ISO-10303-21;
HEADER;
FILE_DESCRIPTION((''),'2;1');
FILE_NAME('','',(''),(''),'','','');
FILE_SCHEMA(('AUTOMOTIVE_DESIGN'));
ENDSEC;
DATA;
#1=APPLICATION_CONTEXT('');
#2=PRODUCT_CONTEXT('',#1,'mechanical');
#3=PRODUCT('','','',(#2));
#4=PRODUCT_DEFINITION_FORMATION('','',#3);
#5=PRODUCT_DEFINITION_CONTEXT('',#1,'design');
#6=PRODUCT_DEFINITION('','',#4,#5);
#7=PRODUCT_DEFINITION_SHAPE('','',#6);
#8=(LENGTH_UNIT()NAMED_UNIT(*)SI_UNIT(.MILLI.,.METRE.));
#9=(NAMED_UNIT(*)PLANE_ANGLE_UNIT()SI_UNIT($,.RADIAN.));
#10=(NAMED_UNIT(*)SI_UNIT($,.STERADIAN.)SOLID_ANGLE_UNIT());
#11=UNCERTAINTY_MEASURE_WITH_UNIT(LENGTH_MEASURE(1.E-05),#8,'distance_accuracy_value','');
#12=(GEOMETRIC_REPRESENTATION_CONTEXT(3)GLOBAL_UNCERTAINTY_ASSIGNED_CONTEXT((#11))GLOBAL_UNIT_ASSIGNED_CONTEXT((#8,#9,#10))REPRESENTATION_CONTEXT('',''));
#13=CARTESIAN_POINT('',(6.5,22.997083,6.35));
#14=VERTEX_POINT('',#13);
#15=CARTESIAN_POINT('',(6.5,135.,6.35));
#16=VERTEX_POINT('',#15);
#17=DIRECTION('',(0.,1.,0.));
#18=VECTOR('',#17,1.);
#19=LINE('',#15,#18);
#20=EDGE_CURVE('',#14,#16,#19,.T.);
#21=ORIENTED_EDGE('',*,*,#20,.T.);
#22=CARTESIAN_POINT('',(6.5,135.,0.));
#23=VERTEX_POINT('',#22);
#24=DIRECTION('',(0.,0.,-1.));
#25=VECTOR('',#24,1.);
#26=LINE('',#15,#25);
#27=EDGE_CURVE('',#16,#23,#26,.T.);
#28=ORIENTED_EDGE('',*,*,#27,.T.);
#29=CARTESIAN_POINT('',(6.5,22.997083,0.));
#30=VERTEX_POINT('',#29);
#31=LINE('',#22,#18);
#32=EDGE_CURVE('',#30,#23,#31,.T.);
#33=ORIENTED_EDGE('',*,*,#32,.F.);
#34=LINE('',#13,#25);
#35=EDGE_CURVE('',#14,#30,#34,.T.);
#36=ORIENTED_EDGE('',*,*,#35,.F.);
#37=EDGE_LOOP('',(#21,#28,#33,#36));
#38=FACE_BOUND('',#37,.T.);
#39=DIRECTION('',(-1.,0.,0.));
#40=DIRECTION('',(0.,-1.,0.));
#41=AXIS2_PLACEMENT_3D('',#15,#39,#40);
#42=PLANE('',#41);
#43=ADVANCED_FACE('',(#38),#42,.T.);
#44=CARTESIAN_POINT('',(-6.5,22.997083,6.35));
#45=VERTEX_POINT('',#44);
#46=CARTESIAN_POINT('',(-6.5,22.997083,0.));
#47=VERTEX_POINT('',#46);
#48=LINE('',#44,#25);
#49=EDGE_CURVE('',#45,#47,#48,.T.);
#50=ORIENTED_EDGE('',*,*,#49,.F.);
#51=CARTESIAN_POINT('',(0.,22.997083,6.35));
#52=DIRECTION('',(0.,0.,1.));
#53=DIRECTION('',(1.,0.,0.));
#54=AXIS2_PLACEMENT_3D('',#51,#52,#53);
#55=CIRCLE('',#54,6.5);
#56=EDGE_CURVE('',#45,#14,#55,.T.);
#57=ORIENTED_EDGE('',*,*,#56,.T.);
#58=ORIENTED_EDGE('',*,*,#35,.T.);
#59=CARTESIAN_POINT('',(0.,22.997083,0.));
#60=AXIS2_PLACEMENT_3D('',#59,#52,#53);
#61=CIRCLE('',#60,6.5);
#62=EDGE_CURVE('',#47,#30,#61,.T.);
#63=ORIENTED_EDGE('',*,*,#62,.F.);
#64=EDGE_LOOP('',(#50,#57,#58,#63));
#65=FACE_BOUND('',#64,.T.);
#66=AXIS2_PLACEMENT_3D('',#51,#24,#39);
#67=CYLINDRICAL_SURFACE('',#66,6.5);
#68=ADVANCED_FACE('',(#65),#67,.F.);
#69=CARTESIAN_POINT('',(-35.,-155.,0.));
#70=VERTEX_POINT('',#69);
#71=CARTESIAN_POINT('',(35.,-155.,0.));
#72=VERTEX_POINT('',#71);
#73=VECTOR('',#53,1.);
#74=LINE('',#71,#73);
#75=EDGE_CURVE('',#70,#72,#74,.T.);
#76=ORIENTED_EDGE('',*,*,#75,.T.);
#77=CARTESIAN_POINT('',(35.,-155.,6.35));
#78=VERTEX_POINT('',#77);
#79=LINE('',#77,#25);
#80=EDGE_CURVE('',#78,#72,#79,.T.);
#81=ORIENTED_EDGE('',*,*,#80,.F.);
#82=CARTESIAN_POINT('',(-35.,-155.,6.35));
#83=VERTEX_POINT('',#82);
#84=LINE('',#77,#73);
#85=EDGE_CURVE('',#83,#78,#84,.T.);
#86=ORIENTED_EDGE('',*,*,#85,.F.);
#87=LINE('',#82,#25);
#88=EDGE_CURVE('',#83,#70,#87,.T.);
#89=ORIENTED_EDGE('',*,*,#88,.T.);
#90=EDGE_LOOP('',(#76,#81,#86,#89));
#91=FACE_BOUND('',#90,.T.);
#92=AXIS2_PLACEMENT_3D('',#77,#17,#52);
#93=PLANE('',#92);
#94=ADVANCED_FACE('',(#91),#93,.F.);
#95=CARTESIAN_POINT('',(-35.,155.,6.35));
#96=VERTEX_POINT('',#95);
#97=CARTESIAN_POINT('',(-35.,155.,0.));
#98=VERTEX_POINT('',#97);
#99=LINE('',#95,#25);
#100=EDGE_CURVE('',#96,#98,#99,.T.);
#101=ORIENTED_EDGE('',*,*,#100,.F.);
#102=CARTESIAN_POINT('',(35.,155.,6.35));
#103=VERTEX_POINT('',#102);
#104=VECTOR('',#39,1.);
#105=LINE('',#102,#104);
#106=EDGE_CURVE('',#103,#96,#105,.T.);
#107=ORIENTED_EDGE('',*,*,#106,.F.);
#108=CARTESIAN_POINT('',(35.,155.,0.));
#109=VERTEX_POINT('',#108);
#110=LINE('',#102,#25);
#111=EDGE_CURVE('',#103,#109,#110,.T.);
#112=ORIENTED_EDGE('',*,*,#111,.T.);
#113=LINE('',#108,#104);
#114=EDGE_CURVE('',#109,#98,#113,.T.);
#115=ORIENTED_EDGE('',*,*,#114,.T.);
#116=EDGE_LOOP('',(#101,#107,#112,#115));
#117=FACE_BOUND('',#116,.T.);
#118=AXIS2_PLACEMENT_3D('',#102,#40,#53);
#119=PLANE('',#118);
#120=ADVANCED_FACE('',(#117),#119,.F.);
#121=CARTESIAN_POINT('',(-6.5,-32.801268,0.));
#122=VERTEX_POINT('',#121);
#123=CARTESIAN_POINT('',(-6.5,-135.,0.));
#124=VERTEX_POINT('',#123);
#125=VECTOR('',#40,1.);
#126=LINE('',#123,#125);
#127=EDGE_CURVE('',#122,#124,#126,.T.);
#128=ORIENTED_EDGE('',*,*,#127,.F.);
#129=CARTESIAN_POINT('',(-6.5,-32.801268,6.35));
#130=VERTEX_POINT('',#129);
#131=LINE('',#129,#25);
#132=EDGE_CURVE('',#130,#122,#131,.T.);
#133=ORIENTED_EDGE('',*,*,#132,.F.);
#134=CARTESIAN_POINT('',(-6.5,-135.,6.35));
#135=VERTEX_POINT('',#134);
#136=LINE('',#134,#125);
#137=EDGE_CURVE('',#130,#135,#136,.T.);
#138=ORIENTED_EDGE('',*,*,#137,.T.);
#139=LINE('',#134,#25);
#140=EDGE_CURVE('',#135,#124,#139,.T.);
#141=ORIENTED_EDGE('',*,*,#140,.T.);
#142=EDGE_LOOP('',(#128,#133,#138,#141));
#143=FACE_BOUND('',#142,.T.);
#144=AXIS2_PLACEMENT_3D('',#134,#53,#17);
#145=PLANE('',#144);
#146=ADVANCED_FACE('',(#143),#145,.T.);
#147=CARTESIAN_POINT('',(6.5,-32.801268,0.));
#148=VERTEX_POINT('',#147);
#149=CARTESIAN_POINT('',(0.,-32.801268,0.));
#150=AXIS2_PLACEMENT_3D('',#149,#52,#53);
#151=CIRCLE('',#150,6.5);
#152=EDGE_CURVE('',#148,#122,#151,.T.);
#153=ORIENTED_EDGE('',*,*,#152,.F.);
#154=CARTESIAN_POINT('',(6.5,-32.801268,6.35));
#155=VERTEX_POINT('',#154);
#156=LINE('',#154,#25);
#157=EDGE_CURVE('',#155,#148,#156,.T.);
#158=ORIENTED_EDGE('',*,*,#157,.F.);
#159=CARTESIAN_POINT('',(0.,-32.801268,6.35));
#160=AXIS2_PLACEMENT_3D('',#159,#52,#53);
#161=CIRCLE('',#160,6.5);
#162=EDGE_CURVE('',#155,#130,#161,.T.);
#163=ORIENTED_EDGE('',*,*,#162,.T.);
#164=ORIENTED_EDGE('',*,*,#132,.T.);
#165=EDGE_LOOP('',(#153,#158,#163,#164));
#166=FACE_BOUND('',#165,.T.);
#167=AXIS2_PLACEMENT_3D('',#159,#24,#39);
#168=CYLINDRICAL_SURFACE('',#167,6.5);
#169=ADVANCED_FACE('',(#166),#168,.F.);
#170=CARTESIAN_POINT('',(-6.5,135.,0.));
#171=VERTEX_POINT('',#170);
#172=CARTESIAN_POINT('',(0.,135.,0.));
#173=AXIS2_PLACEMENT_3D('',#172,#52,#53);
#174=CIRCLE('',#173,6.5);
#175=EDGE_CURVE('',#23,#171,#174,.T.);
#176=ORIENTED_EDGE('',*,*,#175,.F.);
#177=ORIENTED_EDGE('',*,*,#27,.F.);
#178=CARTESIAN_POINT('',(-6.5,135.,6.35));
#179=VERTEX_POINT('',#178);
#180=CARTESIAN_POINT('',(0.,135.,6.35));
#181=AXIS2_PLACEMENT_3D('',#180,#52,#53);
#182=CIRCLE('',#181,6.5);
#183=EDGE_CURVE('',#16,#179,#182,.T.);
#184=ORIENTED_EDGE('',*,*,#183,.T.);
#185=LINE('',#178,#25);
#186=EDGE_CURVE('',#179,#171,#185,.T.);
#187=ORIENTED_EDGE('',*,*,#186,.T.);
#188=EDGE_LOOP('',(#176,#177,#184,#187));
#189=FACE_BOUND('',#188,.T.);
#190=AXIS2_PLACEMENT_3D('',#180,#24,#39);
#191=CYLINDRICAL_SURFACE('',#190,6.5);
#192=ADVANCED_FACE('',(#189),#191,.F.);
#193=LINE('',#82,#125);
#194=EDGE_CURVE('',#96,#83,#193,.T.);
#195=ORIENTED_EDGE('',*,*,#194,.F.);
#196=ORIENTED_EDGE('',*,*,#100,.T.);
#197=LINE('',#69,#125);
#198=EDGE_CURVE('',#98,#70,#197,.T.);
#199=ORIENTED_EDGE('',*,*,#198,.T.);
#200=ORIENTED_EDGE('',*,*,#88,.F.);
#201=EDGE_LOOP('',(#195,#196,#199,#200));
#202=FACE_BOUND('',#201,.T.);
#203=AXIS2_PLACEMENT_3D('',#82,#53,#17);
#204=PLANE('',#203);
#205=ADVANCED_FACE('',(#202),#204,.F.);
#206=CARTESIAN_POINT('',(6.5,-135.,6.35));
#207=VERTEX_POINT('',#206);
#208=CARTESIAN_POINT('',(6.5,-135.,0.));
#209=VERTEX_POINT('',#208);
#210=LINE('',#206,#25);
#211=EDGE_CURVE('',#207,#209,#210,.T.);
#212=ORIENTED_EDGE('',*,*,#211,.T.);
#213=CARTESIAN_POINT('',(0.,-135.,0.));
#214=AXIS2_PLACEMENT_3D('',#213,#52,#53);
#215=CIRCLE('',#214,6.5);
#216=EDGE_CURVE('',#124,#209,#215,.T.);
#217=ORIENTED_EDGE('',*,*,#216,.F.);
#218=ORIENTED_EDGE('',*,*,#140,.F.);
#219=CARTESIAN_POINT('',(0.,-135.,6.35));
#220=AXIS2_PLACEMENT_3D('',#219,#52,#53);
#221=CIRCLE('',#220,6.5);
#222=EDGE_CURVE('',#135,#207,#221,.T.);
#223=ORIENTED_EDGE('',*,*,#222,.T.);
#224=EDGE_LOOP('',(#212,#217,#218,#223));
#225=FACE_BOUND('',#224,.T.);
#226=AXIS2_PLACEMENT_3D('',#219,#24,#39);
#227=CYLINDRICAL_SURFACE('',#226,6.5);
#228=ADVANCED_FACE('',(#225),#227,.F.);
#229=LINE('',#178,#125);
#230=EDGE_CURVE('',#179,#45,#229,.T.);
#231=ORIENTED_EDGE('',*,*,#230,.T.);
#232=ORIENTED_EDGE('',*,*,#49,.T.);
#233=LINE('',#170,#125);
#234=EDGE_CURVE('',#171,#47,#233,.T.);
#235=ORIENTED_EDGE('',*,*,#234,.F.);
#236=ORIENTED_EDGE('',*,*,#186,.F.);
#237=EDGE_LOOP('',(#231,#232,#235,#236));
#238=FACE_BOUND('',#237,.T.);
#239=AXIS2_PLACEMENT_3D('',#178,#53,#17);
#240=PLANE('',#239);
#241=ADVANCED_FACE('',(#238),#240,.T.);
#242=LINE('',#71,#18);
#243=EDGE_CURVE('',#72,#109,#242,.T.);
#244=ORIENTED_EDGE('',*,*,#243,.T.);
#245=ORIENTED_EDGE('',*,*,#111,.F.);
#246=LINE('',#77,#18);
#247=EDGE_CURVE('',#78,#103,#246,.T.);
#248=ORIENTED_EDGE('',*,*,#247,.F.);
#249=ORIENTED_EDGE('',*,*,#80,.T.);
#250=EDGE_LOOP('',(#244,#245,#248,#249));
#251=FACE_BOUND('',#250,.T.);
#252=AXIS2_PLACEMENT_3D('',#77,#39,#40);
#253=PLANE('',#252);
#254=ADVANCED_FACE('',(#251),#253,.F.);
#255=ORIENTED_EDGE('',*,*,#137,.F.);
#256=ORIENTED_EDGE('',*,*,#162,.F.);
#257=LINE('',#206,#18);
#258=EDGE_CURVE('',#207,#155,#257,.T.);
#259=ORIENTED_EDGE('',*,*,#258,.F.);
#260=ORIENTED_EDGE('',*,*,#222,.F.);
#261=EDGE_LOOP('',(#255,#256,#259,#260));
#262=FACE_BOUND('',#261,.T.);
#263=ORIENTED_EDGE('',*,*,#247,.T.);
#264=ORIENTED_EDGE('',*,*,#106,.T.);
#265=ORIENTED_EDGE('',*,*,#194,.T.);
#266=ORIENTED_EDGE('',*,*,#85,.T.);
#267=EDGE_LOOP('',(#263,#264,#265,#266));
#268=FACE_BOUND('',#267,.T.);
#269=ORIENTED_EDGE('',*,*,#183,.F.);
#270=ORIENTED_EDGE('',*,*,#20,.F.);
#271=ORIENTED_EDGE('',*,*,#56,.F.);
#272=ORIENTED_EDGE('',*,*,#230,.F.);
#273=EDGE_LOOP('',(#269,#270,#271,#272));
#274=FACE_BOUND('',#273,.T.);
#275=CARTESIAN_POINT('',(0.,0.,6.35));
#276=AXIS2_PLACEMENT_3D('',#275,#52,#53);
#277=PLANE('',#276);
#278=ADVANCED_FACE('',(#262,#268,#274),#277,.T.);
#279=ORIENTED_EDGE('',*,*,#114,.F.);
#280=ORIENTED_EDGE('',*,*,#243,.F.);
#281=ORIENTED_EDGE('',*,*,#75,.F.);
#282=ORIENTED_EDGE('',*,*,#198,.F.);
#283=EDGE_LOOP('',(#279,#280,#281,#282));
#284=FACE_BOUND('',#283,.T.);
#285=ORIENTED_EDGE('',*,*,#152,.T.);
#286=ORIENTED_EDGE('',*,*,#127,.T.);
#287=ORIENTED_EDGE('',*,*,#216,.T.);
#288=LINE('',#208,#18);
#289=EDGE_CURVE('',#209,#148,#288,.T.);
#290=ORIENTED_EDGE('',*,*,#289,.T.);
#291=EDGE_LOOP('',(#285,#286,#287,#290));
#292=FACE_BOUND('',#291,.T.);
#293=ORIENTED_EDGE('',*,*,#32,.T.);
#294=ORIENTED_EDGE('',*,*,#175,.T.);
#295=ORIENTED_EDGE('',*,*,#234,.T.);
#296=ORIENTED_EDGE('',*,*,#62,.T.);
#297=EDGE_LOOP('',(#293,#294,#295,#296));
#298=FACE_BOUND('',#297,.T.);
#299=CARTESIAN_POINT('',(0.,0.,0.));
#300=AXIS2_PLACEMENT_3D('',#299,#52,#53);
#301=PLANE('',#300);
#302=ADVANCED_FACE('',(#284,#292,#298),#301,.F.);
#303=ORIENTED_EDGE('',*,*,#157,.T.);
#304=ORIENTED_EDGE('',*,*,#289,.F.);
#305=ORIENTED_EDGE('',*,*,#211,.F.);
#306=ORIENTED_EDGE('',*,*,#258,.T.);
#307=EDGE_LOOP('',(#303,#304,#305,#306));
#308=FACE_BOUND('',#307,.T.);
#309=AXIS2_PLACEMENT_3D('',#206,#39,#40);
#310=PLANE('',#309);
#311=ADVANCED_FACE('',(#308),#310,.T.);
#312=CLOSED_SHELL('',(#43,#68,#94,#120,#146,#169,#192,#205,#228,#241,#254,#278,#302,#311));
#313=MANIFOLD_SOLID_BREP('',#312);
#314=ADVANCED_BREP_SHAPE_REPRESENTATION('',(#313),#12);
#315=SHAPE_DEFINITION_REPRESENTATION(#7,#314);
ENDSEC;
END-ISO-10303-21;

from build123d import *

# Parameters (mm, degrees)
CROQUIS1_W              = 70
CROQUIS1_H              = 310
SALIENTE_EXTRUIR1_DEPTH = 6.35


with BuildPart() as part:
    # Croquis1 → Saliente-Extruir1 (new body)
    with BuildSketch(Plane.XY):
        Rectangle(CROQUIS1_W, CROQUIS1_H)
        with BuildLine():
            Line((6.5, 135), (6.5, 22.99708256))
            ThreePointArc((6.5, 22.99708256), (0, 16.49708256), (-6.5, 22.99708256))
            Line((-6.5, 22.99708256), (-6.5, 135))
            ThreePointArc((-6.5, 135), (0, 141.5), (6.5, 135))
        make_face(mode=Mode.SUBTRACT)
        with BuildLine():
            Line((-6.5, -135), (-6.5, -32.801268397))
            ThreePointArc((-6.5, -32.801268397), (0, -26.301268397), (6.5, -32.801268397))
            Line((6.5, -32.801268397), (6.5, -135))
            ThreePointArc((6.5, -135), (0, -141.5), (-6.5, -135))
        make_face(mode=Mode.SUBTRACT)
    extrude(amount=SALIENTE_EXTRUIR1_DEPTH)


solid = part.part
